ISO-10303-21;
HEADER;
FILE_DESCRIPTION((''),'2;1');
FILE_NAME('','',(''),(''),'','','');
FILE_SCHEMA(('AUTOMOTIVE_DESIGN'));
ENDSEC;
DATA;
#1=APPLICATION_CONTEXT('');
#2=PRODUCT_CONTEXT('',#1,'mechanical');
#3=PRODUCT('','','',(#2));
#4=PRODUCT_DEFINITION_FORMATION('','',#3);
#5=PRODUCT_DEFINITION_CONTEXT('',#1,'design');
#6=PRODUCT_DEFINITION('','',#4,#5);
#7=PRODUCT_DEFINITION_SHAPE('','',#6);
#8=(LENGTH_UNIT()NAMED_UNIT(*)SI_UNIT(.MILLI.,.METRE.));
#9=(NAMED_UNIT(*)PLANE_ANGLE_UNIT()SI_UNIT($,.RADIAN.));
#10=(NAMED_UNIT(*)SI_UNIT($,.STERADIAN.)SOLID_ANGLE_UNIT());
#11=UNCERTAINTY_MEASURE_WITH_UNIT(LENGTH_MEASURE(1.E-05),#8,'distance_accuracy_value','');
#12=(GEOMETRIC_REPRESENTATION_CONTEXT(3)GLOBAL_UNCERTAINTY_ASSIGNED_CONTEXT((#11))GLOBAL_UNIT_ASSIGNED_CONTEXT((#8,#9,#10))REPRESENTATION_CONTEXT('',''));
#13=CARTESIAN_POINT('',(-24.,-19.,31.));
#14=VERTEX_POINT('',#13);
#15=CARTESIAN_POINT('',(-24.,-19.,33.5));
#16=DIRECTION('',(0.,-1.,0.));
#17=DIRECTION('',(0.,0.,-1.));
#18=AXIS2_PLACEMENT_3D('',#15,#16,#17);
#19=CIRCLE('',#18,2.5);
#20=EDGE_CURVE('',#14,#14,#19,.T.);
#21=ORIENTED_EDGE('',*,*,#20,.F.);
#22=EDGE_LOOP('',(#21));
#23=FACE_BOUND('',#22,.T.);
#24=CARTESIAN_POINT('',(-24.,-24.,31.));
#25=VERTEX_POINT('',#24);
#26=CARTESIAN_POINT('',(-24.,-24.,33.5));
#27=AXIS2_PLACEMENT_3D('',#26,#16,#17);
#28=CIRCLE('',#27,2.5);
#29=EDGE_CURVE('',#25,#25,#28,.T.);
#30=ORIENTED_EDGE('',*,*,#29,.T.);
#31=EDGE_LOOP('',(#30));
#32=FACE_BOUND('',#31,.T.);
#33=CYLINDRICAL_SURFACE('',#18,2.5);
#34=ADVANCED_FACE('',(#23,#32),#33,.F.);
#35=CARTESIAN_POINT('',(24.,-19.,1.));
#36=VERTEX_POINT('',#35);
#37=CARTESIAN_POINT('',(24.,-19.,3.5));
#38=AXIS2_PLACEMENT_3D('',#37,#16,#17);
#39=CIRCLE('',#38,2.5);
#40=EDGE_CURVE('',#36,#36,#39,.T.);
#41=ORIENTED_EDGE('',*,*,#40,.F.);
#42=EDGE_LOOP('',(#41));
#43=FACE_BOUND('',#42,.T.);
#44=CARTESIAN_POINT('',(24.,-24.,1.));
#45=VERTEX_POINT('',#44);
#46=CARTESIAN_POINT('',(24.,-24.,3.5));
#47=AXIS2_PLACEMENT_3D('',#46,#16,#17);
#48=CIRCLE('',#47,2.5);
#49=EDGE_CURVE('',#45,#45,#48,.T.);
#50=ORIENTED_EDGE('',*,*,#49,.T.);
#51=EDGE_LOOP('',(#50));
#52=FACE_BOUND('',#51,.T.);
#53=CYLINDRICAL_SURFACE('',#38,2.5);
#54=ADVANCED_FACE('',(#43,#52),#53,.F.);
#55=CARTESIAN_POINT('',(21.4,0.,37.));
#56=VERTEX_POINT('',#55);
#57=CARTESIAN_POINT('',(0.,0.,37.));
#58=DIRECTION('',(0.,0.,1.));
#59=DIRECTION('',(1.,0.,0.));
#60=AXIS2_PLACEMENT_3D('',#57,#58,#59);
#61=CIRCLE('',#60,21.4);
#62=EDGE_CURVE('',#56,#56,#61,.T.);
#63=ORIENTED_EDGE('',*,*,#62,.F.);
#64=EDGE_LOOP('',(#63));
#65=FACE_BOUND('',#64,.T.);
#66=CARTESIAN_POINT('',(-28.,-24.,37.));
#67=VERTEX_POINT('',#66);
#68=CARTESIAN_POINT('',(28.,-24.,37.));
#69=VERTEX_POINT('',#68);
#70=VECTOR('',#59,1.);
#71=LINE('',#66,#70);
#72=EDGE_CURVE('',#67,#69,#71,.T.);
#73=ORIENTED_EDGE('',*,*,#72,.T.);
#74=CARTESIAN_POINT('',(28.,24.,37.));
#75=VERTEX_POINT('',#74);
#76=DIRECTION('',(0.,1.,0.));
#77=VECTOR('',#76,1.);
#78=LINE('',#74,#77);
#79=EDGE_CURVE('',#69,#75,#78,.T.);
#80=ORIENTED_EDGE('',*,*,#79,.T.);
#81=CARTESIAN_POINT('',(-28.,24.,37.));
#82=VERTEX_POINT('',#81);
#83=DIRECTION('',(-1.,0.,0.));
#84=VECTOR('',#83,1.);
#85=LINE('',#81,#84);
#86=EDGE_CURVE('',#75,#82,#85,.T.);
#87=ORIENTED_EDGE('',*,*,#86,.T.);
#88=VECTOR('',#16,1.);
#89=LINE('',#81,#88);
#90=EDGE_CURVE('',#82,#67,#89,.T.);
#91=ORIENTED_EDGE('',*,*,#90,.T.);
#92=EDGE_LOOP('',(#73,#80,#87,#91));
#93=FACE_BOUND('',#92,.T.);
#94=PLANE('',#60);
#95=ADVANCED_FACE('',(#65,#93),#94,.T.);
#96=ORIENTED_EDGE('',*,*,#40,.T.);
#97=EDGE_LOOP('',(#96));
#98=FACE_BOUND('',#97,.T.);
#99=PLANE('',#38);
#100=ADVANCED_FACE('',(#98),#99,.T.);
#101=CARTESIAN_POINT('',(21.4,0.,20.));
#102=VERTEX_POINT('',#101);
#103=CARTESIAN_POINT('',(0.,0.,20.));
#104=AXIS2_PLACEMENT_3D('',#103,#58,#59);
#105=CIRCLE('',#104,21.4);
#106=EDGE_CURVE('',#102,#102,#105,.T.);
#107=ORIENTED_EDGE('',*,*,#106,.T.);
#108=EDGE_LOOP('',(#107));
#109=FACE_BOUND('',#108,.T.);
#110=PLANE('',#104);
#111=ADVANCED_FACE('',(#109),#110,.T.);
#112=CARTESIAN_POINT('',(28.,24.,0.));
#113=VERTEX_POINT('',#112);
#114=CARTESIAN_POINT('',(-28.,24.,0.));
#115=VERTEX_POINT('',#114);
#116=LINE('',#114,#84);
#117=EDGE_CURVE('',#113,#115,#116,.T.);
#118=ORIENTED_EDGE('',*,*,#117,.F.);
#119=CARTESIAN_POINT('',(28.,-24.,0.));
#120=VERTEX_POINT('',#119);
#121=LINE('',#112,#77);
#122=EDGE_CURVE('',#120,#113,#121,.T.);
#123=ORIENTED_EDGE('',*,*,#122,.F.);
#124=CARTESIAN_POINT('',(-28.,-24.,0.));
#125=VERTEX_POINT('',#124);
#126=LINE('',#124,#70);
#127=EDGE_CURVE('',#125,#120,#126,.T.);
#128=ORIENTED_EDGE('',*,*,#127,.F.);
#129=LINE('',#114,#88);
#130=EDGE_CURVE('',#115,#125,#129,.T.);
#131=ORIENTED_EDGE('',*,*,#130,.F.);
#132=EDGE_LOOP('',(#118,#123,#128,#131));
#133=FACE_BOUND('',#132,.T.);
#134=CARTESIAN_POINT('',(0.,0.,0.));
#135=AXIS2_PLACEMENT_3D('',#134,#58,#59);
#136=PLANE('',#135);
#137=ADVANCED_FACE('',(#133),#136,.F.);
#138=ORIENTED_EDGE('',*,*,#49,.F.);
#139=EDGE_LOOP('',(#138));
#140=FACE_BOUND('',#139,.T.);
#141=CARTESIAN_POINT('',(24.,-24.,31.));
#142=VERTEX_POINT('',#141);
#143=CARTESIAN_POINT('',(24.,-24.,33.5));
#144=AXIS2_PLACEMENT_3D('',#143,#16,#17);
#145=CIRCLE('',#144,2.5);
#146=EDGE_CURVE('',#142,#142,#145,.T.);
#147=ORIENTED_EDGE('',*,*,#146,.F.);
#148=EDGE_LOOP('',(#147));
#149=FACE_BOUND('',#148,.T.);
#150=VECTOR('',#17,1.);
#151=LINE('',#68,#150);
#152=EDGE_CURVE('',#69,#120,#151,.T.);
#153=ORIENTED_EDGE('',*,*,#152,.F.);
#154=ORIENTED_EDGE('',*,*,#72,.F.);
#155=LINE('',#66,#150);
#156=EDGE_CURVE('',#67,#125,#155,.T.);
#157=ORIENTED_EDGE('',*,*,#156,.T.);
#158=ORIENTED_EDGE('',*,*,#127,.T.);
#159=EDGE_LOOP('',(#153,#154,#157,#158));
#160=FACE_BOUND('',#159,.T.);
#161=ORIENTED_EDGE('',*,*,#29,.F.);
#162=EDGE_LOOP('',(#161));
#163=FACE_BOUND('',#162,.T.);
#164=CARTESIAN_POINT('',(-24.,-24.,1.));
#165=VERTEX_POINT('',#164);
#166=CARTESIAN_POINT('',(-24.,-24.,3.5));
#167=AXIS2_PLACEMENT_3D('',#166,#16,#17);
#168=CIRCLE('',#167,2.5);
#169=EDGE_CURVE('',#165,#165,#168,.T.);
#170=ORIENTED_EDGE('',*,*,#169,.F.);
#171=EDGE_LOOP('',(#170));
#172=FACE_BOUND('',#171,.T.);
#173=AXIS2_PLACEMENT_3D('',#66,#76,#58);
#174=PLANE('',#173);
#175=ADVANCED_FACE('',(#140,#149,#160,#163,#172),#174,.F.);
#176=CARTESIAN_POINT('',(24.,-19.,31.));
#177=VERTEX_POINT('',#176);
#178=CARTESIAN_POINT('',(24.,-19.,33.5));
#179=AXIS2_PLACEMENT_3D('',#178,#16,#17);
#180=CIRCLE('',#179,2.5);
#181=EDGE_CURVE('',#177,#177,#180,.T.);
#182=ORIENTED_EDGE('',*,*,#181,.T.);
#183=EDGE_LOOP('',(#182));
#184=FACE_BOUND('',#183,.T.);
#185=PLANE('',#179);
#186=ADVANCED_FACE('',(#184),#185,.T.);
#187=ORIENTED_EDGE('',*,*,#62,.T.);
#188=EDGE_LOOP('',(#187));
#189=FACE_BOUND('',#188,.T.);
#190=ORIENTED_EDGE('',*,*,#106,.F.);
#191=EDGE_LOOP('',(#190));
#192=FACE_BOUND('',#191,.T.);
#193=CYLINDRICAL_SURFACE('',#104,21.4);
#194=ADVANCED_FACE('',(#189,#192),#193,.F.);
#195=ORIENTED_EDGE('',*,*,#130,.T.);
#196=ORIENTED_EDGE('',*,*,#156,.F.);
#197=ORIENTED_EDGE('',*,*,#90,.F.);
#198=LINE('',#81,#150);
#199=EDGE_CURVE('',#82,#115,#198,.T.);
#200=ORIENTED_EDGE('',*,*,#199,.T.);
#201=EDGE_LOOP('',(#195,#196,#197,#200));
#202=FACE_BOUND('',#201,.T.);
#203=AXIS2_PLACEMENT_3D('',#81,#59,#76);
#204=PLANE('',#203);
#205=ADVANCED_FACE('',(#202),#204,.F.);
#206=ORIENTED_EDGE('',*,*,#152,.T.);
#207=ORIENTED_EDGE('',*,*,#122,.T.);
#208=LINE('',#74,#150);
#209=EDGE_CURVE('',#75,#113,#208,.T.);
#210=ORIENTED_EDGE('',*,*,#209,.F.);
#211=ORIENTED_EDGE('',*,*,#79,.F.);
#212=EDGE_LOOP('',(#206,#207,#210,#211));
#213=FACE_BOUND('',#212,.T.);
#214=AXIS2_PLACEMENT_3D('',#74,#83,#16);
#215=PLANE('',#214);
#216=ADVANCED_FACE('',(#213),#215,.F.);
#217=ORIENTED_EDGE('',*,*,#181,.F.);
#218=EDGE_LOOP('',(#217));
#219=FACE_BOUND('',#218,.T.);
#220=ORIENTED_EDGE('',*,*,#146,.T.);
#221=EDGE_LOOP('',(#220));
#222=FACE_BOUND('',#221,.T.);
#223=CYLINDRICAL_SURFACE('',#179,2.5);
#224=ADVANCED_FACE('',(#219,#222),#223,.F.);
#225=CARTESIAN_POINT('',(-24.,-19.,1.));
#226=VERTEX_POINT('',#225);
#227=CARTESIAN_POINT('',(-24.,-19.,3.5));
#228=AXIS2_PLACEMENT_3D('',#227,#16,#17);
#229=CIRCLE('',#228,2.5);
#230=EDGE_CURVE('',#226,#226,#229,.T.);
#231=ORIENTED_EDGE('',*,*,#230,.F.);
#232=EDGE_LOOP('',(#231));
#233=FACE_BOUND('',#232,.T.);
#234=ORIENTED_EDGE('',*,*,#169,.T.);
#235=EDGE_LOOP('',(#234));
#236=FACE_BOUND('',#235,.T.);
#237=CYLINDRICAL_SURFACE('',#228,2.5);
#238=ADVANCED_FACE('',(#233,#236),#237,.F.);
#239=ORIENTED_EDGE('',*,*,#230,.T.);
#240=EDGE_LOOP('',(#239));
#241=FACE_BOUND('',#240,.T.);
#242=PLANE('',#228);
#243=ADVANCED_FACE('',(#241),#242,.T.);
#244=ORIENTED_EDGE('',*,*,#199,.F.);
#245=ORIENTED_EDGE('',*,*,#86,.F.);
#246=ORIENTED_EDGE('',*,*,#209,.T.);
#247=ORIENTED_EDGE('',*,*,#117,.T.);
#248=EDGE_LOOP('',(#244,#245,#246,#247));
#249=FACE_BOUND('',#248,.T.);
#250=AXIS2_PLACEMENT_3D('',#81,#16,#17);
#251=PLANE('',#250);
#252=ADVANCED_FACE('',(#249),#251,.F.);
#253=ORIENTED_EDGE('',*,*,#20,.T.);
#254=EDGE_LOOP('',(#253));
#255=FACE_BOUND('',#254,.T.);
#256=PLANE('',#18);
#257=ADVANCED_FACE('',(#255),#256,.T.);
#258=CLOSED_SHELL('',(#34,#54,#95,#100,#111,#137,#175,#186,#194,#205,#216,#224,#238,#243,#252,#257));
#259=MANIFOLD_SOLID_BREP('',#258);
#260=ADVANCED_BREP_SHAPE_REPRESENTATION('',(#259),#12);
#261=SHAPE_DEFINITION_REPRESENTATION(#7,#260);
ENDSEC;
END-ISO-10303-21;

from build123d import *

# Parameters (mm, degrees)
SKETCH1_W           = 56
SKETCH1_H           = 48
BOSS_EXTRUDE1_DEPTH = 37
SKETCH2_R           = 21.4
CUT_EXTRUDE1_DEPTH  = 17
SKETCH4_R           = 2.5
CUT_EXTRUDE2_DEPTH  = 5


with BuildPart() as part:
    # Sketch1 → Boss-Extrude1 (new body)
    with BuildSketch(Plane.XY):
        Rectangle(SKETCH1_W, SKETCH1_H)
    extrude(amount=BOSS_EXTRUDE1_DEPTH)

    # Sketch2 → Cut-Extrude1 (cut)
    with BuildSketch(Plane.XY.offset(37)):
        Circle(SKETCH2_R)
    extrude(amount=-CUT_EXTRUDE1_DEPTH, mode=Mode.SUBTRACT)

    # Sketch4 → Cut-Extrude2 (cut)
    with BuildSketch(Plane.XZ.offset(24)):
        with Locations(Location((-24, 33.5, 0), (0, 0, 270))):
            Circle(SKETCH4_R)
        with Locations(Location((24, 33.5, 0), (0, 0, 270))):
            Circle(SKETCH4_R)
        with Locations(Location((24, 3.5, 0), (0, 0, 270))):
            Circle(SKETCH4_R)
        with Locations(Location((-24, 3.5, 0), (0, 0, 270))):
            Circle(SKETCH4_R)
    extrude(amount=-CUT_EXTRUDE2_DEPTH, mode=Mode.SUBTRACT)


solid = part.part
